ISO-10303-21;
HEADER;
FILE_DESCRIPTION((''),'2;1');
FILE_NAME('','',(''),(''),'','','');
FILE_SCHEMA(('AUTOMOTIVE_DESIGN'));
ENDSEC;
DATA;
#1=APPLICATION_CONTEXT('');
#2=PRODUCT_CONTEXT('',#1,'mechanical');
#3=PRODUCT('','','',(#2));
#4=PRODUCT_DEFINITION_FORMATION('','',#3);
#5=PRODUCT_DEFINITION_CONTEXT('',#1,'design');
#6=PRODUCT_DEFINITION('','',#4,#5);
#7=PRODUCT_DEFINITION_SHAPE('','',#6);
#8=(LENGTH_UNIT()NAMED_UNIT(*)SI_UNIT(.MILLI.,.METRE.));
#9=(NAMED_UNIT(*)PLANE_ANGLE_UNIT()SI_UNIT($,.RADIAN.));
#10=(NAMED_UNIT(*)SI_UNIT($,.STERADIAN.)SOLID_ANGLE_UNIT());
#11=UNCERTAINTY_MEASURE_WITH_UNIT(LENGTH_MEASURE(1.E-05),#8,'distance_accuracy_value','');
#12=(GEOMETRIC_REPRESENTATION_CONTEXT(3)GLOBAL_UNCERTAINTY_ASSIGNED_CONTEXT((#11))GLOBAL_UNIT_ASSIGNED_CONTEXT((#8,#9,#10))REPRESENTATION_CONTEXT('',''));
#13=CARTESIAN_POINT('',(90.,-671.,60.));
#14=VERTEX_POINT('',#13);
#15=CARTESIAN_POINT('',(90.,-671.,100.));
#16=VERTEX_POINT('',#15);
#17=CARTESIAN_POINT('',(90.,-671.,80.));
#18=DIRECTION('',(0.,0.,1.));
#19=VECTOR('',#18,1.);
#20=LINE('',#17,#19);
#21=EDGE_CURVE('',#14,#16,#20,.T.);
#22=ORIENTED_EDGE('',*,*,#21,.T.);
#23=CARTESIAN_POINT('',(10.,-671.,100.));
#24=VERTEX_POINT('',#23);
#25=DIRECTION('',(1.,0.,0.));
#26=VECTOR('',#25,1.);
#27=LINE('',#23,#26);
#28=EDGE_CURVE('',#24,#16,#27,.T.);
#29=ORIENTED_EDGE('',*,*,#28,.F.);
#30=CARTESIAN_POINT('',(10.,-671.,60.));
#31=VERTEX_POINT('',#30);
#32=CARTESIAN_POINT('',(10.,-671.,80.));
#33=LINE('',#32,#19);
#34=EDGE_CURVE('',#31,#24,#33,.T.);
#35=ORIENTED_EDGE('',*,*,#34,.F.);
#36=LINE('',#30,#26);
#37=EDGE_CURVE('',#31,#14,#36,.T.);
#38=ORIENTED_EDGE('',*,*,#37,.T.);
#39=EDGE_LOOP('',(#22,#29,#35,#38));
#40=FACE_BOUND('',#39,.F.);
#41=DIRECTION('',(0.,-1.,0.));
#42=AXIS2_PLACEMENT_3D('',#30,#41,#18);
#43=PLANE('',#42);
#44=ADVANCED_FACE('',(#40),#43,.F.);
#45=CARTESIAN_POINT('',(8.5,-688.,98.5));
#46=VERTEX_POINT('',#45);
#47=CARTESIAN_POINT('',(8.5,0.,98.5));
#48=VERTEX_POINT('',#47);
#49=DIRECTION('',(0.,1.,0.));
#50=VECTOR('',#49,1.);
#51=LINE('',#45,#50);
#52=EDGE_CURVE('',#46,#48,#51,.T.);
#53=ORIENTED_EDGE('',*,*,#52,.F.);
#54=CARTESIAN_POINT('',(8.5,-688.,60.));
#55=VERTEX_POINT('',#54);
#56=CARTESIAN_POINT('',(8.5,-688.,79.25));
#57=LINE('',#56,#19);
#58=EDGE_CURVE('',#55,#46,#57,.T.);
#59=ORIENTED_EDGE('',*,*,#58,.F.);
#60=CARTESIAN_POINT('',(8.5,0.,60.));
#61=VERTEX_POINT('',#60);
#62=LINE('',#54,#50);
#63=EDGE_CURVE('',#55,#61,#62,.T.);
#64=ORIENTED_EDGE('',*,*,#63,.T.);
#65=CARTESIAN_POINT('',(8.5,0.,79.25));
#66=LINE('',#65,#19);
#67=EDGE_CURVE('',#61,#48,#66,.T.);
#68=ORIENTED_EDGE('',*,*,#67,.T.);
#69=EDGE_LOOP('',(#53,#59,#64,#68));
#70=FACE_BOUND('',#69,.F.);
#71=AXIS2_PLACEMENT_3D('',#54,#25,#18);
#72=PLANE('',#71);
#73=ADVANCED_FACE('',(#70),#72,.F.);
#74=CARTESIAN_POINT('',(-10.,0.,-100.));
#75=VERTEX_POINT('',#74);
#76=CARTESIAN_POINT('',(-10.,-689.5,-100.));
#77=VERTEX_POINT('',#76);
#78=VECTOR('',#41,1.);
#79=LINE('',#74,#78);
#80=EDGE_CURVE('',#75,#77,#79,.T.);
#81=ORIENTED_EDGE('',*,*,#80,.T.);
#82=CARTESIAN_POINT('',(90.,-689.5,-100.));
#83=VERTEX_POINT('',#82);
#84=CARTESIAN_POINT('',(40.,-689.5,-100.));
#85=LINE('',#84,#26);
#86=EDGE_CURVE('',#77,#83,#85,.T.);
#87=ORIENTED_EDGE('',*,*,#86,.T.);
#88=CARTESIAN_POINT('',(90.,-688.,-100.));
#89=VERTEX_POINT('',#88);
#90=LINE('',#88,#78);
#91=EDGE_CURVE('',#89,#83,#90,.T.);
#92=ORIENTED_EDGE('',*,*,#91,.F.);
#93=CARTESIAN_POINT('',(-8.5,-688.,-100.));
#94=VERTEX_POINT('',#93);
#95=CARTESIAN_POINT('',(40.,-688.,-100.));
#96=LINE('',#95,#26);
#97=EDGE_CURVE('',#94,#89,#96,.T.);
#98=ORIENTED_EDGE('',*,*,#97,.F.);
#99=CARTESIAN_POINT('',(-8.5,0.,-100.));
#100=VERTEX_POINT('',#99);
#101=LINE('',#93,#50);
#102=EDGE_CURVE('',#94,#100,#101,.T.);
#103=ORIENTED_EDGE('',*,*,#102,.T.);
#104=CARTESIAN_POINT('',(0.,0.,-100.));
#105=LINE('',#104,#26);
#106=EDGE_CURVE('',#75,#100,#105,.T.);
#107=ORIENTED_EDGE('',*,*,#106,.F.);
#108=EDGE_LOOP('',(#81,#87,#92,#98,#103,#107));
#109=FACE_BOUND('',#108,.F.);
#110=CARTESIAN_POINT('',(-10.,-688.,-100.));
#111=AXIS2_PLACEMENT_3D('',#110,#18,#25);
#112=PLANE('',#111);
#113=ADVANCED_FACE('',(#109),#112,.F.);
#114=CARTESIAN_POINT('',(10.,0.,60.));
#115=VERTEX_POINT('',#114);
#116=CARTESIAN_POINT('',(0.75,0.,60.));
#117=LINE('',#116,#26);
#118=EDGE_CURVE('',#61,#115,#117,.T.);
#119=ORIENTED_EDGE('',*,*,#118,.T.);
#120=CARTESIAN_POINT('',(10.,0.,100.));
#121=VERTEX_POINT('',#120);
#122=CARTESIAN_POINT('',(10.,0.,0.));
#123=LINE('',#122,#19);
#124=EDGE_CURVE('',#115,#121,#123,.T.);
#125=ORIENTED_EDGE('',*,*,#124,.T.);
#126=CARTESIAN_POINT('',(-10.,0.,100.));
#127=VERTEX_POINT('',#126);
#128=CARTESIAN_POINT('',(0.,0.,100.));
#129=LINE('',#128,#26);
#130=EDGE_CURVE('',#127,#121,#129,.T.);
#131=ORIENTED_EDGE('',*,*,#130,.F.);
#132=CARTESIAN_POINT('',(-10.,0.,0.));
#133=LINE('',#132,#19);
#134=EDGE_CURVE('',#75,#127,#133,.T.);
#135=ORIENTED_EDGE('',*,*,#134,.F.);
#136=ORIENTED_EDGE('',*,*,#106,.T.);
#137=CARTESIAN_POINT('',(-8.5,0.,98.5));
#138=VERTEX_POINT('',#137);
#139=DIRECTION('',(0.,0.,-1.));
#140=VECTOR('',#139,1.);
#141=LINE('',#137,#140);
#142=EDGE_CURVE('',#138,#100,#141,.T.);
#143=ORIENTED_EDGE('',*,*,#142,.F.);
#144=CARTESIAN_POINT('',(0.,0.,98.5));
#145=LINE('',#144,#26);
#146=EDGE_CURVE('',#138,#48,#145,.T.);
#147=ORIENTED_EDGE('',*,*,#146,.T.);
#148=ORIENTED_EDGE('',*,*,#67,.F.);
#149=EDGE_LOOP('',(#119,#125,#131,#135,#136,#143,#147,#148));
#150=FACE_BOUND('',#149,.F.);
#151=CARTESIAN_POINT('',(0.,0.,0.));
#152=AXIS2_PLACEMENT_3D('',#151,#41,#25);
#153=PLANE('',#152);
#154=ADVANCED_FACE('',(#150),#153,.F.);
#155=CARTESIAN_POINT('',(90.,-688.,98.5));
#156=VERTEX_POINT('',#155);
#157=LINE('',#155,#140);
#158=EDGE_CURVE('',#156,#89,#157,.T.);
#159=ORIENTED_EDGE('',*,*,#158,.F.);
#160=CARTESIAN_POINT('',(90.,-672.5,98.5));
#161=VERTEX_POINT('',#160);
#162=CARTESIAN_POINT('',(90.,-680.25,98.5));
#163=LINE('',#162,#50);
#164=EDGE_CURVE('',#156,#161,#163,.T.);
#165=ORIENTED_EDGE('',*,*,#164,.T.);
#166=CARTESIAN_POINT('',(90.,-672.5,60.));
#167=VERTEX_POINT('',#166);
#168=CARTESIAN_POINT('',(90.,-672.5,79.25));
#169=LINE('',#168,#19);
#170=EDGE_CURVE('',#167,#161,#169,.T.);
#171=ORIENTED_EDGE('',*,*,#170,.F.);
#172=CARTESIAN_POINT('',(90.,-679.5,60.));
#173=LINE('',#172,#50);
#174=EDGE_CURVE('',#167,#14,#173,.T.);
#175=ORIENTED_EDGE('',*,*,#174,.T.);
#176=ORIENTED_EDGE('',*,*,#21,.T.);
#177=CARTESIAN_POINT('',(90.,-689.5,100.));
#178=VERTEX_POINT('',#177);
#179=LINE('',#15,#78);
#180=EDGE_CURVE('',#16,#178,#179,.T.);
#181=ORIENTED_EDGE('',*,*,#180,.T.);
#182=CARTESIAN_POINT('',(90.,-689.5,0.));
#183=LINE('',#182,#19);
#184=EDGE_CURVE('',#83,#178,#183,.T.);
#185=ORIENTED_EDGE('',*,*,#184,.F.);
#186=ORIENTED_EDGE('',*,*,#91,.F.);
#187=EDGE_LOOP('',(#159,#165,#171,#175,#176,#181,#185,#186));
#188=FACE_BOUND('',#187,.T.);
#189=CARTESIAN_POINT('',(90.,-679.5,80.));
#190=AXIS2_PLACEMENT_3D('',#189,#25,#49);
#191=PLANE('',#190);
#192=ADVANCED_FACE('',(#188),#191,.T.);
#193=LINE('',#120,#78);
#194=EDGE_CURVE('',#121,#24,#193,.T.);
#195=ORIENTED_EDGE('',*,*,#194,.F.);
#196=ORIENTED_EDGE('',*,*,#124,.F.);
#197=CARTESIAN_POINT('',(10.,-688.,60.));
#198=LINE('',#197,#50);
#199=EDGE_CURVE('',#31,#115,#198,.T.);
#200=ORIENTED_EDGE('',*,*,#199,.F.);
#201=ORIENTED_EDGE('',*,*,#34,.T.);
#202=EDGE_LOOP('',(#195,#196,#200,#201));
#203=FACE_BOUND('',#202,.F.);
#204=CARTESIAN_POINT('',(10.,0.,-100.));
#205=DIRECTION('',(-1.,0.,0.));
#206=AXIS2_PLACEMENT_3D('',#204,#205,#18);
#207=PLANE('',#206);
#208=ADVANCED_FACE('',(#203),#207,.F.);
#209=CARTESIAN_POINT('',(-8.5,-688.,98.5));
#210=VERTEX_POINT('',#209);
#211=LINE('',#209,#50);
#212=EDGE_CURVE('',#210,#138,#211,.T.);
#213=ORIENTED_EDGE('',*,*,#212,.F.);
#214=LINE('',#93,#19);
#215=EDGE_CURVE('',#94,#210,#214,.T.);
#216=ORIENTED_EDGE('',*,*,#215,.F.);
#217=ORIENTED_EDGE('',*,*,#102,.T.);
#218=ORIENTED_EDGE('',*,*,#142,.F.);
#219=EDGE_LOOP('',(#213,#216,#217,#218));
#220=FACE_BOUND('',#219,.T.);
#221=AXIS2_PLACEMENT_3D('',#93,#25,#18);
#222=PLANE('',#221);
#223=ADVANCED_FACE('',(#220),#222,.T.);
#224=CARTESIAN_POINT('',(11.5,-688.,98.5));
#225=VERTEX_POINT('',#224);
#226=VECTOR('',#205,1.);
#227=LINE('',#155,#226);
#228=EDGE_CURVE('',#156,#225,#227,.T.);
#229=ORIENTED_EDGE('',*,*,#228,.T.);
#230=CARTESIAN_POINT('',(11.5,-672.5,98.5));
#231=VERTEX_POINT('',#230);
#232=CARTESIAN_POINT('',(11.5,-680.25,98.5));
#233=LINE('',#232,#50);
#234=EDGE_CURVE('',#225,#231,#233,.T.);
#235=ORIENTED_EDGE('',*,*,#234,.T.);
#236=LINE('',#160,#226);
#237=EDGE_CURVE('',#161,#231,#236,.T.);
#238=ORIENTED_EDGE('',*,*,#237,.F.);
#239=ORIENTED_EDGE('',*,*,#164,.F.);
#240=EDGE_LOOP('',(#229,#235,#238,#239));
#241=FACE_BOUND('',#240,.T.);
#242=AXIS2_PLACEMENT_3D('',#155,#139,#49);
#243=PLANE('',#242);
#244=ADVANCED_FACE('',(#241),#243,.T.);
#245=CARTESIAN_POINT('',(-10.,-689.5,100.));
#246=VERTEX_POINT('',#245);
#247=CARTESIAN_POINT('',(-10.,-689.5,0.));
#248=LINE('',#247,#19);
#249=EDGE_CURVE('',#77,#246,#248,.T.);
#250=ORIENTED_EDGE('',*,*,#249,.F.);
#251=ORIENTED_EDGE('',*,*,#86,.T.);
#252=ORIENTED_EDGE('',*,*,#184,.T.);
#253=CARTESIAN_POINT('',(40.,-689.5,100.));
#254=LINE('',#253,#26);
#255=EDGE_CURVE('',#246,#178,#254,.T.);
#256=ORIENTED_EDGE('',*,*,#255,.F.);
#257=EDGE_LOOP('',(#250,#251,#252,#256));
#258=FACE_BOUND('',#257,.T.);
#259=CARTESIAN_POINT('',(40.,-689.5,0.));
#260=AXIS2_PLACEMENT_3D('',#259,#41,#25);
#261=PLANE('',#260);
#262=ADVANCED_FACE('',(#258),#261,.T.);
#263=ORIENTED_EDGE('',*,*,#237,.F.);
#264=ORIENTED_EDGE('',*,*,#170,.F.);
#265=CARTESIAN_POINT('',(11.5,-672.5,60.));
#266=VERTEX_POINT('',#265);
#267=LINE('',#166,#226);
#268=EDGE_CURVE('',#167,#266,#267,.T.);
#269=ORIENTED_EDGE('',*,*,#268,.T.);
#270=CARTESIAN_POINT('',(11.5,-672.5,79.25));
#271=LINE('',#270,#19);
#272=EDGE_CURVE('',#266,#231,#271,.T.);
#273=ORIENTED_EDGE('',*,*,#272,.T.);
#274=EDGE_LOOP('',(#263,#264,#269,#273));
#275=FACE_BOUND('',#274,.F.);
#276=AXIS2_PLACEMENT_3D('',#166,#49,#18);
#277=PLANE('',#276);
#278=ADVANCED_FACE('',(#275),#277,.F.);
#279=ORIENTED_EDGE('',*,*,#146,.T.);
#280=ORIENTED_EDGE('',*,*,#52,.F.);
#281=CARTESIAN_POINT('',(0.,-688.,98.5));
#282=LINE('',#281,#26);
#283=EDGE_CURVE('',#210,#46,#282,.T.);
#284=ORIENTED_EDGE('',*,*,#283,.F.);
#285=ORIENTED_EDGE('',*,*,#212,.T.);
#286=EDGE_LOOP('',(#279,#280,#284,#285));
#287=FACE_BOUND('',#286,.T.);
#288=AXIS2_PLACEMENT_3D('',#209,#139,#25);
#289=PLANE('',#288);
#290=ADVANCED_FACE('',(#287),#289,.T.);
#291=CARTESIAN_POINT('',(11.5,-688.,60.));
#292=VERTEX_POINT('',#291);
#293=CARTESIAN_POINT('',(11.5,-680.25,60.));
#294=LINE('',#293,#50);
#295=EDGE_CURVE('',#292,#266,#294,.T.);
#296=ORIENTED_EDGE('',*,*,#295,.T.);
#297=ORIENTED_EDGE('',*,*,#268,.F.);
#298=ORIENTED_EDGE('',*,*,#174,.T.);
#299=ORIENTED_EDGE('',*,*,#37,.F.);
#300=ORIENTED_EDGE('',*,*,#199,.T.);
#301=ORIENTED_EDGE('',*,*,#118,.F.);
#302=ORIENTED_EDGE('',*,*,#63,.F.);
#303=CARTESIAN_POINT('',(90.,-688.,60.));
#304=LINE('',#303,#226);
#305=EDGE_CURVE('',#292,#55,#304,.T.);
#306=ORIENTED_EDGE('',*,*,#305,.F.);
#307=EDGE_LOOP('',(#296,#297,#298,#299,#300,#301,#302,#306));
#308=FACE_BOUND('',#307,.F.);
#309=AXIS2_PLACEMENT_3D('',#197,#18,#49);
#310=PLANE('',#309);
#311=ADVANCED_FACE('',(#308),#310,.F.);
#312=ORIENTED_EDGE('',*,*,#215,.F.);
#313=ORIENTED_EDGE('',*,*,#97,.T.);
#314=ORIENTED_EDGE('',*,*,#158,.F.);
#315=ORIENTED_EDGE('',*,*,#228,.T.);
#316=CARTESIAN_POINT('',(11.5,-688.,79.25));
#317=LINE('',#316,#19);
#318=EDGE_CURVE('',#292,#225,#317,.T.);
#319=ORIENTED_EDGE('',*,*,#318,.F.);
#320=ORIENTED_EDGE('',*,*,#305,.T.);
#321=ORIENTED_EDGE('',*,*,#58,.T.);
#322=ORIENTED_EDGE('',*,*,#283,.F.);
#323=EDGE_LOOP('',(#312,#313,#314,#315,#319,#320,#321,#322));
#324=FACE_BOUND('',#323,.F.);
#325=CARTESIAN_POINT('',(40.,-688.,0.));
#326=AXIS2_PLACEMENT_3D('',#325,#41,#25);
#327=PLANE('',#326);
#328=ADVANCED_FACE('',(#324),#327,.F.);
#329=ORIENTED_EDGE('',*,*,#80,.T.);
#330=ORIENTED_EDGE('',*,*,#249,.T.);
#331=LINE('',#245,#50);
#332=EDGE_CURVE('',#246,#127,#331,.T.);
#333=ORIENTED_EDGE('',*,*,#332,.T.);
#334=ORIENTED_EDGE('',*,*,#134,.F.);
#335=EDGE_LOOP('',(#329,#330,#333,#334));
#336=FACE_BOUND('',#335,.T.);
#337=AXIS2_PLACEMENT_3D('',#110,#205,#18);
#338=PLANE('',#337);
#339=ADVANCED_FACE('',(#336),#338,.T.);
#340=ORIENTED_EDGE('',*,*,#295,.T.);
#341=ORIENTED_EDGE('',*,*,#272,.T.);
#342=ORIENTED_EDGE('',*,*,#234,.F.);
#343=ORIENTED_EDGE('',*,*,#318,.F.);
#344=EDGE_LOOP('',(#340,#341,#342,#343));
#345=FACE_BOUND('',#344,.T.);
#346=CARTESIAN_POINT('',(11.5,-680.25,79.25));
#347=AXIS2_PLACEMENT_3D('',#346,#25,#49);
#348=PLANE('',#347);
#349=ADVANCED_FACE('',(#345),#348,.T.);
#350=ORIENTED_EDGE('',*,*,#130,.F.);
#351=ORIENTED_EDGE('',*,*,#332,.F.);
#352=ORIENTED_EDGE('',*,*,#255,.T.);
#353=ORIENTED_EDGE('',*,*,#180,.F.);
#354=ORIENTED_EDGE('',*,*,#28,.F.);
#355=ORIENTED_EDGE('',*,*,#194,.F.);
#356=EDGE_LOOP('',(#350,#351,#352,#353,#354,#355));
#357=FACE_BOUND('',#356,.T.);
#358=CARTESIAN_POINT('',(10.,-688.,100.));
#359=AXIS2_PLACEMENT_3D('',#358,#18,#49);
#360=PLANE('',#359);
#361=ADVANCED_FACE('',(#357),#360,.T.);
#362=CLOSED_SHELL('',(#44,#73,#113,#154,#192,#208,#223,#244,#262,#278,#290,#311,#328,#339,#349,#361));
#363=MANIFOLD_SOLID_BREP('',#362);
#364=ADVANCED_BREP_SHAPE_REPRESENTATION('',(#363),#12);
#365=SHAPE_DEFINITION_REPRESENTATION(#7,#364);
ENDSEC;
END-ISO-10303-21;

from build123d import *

# Parameters (mm, degrees)
F0_W      = 20
F0_H      = 200
F1_DEPTH  = 688
F2_W      = 18.5
F2_H      = 160
F3_DEPTH  = 688
F4_W      = 17
F4_H      = 38.5
F5_DEPTH  = 688
F6_W      = 100
F6_H      = 200
F7_DEPTH  = 1.5
F8_W      = 17
F8_H      = 40
F9_DEPTH  = 80
F10_W     = 15.5
F10_H     = 38.5
F11_DEPTH = 78.5


with BuildPart() as f1:
    # F0 (on Front) → F1 (new body)
    with BuildSketch(Plane.XZ):
        Rectangle(F0_W, F0_H)
    extrude(amount=F1_DEPTH)

    # F2 (on face) → F3 (cut)
    with BuildSketch(Plane.XZ.offset(688)):
        with Locations((0.75, -20)):
            Rectangle(F2_W, F2_H)
    extrude(amount=-F3_DEPTH, mode=Mode.SUBTRACT)

    # F4 (on face) → F5 (cut)
    with BuildSketch(Plane.XZ.offset(688)):
        with Locations((0, 79.25)):
            Rectangle(F4_W, F4_H)
    extrude(amount=-F5_DEPTH, mode=Mode.SUBTRACT)

    # F6 (on face) → F7 (join)
    with BuildSketch(Plane.XZ.offset(688)):
        with Locations((40, 0)):
            Rectangle(F6_W, F6_H)
    extrude(amount=F7_DEPTH)

    # F8 (on face) → F9 (join)
    with BuildSketch(Plane.YZ.offset(10)):
        with Locations((-679.5, 80)):
            Rectangle(F8_W, F8_H)
    extrude(amount=F9_DEPTH)

    # F10 (on face) → F11 (cut)
    with BuildSketch(Plane.YZ.offset(90)):
        with Locations((-680.25, 79.25)):
            Rectangle(F10_W, F10_H)
    extrude(amount=-F11_DEPTH, mode=Mode.SUBTRACT)


solid = f1.part
